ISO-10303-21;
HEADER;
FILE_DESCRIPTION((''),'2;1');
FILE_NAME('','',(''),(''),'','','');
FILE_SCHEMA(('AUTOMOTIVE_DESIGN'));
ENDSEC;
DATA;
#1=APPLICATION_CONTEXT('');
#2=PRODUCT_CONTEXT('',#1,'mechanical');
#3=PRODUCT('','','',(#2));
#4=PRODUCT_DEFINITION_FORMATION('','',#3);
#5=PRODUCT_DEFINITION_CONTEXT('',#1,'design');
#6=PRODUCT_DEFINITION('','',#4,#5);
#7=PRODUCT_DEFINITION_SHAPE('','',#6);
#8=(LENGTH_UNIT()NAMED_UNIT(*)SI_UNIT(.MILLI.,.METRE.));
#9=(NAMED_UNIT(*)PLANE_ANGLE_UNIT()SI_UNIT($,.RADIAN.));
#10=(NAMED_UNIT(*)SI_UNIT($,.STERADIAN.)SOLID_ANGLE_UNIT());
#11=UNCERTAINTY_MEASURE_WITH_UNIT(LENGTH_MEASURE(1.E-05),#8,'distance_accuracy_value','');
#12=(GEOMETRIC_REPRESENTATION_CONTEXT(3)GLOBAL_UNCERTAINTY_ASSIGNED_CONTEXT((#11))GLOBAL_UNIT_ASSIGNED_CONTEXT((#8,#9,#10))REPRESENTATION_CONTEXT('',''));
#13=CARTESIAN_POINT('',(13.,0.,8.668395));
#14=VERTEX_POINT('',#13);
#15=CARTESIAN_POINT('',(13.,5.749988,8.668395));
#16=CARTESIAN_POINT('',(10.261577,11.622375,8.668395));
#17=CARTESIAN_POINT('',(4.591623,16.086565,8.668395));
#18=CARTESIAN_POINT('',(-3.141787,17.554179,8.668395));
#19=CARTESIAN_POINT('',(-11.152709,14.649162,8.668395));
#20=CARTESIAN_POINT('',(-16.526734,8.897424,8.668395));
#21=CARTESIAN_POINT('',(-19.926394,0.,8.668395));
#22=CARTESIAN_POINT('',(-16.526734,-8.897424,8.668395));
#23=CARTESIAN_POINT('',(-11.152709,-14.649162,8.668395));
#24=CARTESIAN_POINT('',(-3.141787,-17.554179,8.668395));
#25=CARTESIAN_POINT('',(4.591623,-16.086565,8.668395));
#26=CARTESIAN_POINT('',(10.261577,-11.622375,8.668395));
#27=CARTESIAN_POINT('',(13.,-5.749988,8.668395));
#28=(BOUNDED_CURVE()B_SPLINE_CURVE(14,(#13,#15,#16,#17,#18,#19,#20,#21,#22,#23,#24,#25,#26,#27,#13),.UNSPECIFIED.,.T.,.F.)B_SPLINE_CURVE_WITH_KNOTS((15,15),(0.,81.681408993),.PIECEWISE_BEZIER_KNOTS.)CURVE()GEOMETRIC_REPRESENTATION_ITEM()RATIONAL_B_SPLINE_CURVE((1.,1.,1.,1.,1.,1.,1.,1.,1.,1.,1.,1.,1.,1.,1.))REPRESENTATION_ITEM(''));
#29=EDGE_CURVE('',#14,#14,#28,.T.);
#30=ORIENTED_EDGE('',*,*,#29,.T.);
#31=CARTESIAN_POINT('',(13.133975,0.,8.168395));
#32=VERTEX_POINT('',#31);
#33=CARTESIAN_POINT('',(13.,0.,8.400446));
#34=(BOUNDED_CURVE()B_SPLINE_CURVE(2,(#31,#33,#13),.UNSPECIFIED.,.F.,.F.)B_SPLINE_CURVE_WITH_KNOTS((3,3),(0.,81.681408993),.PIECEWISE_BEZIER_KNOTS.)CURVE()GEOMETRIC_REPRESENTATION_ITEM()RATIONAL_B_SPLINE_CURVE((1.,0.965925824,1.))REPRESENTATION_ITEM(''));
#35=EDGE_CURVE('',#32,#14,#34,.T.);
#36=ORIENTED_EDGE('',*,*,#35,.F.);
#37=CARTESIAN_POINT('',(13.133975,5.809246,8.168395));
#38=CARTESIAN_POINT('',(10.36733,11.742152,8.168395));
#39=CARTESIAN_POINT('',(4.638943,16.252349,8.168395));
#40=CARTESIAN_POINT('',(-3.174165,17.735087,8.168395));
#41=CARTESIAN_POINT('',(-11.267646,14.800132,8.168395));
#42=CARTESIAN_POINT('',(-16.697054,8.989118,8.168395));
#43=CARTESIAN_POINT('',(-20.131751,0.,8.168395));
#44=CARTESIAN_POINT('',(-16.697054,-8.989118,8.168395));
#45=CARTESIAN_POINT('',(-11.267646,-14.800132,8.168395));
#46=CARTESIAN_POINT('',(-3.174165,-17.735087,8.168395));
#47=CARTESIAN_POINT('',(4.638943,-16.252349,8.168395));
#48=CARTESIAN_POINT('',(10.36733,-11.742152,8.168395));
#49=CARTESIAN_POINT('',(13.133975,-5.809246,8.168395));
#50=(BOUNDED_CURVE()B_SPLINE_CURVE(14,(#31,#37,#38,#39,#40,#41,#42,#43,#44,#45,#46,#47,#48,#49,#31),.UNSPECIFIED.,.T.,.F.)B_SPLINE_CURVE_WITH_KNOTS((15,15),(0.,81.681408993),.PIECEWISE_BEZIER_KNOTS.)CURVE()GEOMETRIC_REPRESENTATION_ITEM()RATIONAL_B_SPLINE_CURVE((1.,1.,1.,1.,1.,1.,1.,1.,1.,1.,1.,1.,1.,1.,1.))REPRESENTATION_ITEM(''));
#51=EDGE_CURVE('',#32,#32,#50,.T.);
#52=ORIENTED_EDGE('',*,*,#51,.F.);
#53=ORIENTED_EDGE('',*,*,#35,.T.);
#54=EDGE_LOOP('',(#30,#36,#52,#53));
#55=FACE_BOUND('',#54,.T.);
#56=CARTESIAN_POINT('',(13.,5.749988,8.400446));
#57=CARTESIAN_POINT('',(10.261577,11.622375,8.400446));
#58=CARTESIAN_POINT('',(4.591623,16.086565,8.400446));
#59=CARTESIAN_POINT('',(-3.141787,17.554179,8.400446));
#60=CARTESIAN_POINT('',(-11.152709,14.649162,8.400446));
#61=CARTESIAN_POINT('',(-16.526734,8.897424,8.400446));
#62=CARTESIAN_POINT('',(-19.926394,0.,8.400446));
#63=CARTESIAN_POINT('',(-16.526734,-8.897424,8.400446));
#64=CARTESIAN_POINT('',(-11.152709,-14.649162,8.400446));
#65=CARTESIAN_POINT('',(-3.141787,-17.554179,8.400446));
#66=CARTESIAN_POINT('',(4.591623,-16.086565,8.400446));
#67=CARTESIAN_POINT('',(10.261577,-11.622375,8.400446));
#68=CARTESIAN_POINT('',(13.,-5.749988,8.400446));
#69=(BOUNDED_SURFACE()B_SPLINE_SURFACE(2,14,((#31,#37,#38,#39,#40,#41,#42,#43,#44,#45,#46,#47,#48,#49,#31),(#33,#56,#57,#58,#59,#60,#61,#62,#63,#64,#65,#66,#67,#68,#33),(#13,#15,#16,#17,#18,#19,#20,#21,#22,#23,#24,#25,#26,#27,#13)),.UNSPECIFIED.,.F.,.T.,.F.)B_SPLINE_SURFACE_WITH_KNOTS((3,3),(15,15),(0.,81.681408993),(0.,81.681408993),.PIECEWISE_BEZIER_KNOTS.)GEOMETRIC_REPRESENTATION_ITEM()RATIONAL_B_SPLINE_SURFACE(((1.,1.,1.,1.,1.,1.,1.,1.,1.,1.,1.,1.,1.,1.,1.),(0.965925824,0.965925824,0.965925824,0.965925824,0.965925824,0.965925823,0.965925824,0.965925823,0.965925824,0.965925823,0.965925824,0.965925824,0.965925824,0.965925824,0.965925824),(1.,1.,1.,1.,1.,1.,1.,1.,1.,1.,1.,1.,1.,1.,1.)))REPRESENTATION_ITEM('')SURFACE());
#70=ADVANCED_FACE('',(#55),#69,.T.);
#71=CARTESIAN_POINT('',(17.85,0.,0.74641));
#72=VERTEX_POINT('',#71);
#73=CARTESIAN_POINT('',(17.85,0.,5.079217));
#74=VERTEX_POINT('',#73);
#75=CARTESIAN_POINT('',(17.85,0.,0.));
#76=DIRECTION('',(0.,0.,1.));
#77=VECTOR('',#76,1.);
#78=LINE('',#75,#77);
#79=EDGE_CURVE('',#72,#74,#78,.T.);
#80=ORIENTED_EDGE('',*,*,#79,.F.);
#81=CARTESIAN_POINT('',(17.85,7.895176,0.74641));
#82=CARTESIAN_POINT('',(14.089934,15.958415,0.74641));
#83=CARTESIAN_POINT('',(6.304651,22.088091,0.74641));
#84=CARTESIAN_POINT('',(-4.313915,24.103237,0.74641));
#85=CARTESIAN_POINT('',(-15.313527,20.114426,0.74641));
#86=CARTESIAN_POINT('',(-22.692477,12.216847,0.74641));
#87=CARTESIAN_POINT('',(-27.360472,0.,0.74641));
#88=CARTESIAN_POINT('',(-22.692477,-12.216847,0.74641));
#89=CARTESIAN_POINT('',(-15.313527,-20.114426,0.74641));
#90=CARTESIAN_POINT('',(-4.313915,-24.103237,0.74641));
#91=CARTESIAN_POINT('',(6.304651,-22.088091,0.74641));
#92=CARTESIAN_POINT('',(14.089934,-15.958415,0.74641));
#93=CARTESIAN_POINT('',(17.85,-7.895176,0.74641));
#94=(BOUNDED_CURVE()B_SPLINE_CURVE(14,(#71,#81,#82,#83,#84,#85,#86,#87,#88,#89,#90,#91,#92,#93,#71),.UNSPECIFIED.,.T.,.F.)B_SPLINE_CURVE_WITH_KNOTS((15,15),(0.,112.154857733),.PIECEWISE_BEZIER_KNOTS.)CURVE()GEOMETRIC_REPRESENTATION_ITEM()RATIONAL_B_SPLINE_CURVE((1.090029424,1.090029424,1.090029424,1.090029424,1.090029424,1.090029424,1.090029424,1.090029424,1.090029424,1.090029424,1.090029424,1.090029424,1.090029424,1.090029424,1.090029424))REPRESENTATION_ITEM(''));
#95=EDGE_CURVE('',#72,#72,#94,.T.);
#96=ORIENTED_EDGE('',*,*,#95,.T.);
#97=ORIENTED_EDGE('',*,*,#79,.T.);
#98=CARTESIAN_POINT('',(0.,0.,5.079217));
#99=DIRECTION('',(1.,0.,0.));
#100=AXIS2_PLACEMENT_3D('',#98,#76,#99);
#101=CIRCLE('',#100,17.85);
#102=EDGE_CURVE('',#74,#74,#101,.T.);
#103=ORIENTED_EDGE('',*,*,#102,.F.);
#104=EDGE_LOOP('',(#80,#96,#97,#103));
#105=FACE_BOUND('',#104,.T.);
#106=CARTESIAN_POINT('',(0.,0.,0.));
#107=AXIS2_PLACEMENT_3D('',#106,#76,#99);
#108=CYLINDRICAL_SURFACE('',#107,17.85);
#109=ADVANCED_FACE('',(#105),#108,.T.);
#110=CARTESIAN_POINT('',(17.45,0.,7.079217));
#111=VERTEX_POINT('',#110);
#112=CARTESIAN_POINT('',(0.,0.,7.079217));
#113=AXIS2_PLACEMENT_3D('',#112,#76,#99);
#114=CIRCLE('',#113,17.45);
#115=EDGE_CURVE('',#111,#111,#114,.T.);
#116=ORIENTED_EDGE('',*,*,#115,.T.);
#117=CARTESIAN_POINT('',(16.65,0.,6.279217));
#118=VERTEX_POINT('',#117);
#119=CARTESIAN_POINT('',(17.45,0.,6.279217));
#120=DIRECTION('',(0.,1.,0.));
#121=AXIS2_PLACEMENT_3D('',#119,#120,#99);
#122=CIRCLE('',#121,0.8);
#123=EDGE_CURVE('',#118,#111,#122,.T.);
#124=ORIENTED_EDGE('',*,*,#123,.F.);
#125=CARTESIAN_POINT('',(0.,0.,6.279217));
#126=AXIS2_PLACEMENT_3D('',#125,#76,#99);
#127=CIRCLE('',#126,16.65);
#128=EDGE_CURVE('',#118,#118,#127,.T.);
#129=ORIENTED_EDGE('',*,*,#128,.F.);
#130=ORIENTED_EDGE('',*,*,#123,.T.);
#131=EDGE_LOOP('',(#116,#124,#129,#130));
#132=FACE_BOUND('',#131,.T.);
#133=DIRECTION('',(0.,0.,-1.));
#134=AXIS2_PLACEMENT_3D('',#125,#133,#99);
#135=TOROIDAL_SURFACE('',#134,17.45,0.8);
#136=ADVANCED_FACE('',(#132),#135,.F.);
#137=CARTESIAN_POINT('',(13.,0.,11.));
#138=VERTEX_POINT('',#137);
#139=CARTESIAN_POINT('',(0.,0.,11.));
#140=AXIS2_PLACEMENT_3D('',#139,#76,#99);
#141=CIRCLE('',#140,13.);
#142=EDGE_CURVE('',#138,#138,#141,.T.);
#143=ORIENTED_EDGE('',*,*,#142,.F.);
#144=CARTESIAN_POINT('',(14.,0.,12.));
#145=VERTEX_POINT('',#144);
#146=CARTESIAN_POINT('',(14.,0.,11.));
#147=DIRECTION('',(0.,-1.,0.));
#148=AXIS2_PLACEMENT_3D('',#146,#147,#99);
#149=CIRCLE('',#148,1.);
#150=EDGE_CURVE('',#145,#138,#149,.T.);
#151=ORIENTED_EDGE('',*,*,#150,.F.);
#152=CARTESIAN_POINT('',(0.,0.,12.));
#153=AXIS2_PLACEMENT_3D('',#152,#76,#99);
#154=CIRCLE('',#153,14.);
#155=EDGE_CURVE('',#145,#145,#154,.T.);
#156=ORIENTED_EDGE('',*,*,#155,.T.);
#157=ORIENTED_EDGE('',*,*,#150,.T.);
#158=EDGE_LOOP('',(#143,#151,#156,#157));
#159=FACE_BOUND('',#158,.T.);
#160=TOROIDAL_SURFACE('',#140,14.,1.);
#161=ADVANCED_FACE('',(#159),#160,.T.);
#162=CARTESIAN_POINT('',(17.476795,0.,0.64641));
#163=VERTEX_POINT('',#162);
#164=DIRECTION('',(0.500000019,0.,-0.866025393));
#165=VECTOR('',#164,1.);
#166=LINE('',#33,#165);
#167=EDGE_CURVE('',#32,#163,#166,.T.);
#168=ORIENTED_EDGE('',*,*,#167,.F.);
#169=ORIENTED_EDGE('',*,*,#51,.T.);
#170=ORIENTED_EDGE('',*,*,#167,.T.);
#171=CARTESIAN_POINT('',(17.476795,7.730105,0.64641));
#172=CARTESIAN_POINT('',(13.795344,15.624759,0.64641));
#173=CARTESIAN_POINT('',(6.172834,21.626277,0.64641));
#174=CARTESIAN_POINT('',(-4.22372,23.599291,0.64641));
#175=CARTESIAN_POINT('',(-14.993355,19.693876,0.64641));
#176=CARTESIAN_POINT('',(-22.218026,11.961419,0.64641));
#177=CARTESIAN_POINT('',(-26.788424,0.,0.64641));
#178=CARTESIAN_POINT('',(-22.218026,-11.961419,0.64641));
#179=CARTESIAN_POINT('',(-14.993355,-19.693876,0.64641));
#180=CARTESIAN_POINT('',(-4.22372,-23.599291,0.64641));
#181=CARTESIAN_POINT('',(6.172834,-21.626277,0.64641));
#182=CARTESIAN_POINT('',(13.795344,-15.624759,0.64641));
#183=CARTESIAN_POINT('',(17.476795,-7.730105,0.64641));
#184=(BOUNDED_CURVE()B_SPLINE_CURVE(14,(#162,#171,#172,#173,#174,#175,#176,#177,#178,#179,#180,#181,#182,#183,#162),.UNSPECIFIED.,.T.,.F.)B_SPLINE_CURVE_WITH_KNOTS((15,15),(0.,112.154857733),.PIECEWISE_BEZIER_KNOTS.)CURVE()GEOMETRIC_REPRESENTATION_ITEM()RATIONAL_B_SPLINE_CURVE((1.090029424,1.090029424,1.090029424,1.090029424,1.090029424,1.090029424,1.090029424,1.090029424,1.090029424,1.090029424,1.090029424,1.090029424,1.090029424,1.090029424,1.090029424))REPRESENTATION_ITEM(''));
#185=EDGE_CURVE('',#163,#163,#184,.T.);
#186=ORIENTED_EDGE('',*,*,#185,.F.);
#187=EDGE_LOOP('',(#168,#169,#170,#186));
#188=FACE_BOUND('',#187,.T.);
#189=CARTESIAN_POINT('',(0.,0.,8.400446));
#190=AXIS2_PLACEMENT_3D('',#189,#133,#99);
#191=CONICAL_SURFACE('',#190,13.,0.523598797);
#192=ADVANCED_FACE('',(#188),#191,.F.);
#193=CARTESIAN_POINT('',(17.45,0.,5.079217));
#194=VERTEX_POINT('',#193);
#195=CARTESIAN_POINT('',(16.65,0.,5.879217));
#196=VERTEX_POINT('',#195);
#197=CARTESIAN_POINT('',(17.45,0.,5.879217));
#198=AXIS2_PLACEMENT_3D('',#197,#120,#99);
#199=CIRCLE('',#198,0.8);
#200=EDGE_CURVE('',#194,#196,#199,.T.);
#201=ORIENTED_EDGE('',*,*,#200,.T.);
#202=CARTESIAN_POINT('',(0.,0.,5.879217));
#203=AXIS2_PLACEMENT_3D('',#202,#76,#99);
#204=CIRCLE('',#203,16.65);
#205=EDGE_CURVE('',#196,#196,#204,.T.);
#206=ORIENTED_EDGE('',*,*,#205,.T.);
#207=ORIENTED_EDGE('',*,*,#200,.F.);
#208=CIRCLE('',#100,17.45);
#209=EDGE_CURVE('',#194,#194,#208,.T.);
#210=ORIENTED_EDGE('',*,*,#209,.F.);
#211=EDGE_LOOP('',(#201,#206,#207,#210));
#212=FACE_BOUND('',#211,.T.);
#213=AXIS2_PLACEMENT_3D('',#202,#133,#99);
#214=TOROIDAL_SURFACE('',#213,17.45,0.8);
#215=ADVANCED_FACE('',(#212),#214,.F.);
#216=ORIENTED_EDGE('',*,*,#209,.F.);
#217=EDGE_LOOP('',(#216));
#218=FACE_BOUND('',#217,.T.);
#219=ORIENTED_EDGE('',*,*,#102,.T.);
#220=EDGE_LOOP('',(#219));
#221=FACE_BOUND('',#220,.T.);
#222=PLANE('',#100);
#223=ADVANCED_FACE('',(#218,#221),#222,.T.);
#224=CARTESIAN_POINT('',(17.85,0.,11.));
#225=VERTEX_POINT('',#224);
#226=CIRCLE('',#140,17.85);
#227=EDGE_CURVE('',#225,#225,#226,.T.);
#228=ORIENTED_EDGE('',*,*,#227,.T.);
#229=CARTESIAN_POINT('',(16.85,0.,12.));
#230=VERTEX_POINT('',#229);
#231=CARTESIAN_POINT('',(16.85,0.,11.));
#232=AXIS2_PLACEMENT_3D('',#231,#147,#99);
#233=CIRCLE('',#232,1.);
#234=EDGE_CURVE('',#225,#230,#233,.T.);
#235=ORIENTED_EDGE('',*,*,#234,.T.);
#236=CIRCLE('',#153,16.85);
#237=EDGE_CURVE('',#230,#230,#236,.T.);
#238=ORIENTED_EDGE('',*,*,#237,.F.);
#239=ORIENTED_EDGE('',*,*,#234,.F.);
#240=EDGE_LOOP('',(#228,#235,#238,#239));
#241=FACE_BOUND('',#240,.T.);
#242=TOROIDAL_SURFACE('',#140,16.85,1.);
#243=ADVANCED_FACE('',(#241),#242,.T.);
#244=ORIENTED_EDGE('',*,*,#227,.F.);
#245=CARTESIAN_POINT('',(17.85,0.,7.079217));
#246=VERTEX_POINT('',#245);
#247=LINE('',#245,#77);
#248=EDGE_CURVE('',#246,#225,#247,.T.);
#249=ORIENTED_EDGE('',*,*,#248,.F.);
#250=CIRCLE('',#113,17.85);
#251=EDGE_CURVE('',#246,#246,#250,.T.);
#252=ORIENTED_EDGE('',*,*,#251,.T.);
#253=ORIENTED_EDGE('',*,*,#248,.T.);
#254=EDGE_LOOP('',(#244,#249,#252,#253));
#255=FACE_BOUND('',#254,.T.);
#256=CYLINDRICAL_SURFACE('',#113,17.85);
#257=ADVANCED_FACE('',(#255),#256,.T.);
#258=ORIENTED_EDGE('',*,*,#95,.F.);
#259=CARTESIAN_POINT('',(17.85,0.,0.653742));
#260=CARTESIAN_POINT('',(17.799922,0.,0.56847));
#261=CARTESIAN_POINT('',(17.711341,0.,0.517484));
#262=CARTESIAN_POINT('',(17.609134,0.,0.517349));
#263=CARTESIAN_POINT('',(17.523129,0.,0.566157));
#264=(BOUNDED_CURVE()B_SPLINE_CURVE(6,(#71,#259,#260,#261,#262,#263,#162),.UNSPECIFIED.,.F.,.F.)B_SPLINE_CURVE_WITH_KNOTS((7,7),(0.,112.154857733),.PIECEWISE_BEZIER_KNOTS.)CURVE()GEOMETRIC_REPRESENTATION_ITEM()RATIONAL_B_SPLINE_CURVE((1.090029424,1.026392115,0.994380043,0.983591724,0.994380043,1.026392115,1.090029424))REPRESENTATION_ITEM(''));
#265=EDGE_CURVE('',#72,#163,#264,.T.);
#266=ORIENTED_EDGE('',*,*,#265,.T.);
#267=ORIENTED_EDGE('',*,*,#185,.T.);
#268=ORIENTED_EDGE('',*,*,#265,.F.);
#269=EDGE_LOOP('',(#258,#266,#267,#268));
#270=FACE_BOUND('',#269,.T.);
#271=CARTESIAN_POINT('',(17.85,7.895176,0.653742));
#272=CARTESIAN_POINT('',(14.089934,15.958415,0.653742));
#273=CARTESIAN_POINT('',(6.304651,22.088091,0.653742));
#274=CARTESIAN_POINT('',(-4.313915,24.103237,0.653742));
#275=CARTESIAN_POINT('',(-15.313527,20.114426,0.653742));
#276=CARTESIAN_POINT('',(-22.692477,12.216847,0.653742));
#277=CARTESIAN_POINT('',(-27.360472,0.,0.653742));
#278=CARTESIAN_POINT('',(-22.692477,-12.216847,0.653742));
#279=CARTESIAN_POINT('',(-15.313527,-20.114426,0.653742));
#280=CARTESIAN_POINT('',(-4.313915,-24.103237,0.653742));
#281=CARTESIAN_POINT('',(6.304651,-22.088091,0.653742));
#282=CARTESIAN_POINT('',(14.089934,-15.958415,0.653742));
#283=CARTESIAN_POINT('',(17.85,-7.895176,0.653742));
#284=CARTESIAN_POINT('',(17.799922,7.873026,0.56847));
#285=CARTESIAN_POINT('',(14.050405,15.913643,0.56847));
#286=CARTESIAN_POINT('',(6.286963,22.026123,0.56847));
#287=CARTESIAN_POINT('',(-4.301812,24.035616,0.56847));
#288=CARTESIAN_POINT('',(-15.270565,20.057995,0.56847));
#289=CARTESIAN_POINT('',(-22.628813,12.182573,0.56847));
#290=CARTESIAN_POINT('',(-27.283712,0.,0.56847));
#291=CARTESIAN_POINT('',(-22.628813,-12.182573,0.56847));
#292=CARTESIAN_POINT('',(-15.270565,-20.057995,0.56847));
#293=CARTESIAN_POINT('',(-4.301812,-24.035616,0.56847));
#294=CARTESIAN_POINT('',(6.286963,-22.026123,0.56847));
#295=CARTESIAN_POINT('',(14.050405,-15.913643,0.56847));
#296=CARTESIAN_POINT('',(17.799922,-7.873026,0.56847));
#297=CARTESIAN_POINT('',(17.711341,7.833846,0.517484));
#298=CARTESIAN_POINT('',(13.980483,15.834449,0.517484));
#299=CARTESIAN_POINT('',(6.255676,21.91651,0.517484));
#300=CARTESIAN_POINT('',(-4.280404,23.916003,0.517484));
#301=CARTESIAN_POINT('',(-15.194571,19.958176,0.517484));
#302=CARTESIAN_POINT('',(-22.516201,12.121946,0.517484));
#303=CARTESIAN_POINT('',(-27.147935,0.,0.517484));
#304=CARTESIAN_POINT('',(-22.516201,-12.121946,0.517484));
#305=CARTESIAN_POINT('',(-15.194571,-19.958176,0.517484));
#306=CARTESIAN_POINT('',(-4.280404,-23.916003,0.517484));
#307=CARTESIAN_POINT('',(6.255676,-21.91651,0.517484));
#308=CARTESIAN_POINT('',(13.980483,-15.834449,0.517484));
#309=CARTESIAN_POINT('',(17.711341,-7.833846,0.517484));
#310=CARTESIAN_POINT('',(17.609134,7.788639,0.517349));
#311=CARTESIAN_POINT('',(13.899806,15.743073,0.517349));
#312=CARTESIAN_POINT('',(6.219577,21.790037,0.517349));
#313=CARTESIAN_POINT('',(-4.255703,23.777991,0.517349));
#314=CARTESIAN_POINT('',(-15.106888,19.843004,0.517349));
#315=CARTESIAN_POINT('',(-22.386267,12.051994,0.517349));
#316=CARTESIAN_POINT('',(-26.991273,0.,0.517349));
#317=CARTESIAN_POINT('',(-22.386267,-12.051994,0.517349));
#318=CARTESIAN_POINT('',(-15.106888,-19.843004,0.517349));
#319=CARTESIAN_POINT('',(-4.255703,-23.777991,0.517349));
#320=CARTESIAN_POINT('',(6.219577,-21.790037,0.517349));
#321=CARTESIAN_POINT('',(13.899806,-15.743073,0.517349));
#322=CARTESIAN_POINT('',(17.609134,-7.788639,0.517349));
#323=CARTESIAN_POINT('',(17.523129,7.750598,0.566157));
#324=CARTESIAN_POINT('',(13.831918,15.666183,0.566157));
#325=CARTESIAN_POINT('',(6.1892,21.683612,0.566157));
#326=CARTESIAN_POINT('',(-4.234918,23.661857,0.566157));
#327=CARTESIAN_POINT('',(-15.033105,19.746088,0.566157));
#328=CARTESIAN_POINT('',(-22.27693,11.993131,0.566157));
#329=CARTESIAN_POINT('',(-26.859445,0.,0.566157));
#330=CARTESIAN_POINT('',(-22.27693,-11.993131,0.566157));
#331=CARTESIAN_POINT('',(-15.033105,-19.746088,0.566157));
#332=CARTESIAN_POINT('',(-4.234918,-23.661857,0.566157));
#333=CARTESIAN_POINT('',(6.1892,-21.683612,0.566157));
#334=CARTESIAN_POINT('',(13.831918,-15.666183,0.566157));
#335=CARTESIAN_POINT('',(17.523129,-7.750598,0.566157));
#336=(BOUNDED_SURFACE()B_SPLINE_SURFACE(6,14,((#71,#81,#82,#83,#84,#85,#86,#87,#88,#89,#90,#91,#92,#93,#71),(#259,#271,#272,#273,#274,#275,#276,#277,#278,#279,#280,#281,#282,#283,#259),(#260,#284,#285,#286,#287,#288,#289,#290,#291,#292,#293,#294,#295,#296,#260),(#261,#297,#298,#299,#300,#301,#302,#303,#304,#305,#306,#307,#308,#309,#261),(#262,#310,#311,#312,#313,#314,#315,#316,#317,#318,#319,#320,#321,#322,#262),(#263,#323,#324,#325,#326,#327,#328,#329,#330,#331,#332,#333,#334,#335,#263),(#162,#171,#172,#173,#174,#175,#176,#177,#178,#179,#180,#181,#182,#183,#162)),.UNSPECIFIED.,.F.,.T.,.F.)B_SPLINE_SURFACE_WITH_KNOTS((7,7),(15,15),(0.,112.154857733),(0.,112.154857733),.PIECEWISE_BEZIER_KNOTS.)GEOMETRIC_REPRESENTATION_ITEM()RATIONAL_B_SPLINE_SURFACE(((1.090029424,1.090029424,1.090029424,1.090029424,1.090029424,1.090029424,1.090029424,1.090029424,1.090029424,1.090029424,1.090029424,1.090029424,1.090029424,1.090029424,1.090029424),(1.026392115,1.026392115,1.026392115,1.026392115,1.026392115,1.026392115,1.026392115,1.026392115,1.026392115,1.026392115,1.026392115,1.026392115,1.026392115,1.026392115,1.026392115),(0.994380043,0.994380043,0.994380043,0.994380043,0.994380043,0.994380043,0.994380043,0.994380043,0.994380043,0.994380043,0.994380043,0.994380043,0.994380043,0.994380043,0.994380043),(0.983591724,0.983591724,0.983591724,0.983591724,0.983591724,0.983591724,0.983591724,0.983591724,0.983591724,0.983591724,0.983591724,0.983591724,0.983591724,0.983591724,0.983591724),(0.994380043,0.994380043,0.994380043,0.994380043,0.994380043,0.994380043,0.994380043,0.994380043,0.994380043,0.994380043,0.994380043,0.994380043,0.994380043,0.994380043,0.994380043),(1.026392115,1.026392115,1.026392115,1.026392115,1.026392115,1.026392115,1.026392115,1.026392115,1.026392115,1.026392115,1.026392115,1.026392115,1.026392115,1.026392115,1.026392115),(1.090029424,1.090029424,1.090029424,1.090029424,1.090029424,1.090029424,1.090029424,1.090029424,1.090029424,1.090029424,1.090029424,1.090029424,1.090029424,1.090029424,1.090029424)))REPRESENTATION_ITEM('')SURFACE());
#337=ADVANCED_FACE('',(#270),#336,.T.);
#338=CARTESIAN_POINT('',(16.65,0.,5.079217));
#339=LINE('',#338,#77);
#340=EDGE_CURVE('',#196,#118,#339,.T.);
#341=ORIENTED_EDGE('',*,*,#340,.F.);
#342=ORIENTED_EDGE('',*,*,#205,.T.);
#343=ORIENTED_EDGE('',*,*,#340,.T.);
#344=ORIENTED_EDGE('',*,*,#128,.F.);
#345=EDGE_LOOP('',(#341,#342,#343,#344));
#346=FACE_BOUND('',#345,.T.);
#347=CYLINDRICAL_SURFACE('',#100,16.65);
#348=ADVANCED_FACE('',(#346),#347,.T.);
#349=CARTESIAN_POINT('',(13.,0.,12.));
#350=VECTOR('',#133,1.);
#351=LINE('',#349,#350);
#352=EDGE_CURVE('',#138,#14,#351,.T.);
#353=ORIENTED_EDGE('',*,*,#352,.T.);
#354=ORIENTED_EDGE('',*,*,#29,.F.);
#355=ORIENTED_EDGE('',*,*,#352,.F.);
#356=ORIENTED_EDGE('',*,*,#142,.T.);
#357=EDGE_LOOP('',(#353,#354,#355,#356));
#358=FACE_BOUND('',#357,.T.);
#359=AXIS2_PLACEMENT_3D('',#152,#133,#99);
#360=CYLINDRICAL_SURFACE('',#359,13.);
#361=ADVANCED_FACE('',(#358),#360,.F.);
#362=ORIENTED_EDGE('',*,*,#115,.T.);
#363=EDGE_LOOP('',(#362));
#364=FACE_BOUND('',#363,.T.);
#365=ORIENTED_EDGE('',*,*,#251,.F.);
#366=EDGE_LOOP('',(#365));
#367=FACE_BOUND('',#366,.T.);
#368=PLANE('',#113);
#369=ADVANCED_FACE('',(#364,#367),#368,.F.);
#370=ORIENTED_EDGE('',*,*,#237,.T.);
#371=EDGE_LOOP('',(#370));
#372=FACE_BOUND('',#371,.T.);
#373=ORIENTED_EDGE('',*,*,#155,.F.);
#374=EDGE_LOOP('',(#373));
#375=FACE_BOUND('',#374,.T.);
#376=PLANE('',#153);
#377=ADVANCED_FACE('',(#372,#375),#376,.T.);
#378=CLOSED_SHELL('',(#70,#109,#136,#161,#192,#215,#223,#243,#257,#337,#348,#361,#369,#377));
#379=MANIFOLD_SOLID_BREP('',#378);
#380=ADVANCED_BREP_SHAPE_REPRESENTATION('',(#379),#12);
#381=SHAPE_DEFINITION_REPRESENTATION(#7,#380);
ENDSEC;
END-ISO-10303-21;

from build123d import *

# Parameters (mm, degrees)
F2_R = 1
F3_R = 0.8
F4_R = 0.2


with BuildPart() as f1:
    # F0 (on Front) → F1 (revolve)
    with BuildSketch(Plane.XZ):
        Polygon((13, 8.400446), (17.85, 0), (17.85, 5.079217), (16.65, 5.079217), (16.65, 7.079217), (17.85, 7.079217), (17.85, 12), (13, 12), align=None)
    revolve(axis=Axis((0, 0, 4.741906), (0, 0, 1)))

    # F2
    f2_edges = [f1.edges().sort_by_distance(p)[0] for p in [
        (-13, 0, 12),
        (-13, 0, 8.400446),
        (13, 0, 10.200223),
        (-17.85, 0, 12),
    ]]
    fillet(f2_edges, radius=F2_R)

    # F3
    f3_edges = [f1.edges().sort_by_distance(p)[0] for p in [
        (-16.65, 0, 7.079217),
        (-16.65, 0, 5.079217),
    ]]
    fillet(f3_edges, radius=F3_R)

    # F4
    f4_edges = [f1.edges().sort_by_distance(p)[0] for p in [
        (-17.85, 0, 0),
    ]]
    fillet(f4_edges, radius=F4_R)


solid = f1.part
